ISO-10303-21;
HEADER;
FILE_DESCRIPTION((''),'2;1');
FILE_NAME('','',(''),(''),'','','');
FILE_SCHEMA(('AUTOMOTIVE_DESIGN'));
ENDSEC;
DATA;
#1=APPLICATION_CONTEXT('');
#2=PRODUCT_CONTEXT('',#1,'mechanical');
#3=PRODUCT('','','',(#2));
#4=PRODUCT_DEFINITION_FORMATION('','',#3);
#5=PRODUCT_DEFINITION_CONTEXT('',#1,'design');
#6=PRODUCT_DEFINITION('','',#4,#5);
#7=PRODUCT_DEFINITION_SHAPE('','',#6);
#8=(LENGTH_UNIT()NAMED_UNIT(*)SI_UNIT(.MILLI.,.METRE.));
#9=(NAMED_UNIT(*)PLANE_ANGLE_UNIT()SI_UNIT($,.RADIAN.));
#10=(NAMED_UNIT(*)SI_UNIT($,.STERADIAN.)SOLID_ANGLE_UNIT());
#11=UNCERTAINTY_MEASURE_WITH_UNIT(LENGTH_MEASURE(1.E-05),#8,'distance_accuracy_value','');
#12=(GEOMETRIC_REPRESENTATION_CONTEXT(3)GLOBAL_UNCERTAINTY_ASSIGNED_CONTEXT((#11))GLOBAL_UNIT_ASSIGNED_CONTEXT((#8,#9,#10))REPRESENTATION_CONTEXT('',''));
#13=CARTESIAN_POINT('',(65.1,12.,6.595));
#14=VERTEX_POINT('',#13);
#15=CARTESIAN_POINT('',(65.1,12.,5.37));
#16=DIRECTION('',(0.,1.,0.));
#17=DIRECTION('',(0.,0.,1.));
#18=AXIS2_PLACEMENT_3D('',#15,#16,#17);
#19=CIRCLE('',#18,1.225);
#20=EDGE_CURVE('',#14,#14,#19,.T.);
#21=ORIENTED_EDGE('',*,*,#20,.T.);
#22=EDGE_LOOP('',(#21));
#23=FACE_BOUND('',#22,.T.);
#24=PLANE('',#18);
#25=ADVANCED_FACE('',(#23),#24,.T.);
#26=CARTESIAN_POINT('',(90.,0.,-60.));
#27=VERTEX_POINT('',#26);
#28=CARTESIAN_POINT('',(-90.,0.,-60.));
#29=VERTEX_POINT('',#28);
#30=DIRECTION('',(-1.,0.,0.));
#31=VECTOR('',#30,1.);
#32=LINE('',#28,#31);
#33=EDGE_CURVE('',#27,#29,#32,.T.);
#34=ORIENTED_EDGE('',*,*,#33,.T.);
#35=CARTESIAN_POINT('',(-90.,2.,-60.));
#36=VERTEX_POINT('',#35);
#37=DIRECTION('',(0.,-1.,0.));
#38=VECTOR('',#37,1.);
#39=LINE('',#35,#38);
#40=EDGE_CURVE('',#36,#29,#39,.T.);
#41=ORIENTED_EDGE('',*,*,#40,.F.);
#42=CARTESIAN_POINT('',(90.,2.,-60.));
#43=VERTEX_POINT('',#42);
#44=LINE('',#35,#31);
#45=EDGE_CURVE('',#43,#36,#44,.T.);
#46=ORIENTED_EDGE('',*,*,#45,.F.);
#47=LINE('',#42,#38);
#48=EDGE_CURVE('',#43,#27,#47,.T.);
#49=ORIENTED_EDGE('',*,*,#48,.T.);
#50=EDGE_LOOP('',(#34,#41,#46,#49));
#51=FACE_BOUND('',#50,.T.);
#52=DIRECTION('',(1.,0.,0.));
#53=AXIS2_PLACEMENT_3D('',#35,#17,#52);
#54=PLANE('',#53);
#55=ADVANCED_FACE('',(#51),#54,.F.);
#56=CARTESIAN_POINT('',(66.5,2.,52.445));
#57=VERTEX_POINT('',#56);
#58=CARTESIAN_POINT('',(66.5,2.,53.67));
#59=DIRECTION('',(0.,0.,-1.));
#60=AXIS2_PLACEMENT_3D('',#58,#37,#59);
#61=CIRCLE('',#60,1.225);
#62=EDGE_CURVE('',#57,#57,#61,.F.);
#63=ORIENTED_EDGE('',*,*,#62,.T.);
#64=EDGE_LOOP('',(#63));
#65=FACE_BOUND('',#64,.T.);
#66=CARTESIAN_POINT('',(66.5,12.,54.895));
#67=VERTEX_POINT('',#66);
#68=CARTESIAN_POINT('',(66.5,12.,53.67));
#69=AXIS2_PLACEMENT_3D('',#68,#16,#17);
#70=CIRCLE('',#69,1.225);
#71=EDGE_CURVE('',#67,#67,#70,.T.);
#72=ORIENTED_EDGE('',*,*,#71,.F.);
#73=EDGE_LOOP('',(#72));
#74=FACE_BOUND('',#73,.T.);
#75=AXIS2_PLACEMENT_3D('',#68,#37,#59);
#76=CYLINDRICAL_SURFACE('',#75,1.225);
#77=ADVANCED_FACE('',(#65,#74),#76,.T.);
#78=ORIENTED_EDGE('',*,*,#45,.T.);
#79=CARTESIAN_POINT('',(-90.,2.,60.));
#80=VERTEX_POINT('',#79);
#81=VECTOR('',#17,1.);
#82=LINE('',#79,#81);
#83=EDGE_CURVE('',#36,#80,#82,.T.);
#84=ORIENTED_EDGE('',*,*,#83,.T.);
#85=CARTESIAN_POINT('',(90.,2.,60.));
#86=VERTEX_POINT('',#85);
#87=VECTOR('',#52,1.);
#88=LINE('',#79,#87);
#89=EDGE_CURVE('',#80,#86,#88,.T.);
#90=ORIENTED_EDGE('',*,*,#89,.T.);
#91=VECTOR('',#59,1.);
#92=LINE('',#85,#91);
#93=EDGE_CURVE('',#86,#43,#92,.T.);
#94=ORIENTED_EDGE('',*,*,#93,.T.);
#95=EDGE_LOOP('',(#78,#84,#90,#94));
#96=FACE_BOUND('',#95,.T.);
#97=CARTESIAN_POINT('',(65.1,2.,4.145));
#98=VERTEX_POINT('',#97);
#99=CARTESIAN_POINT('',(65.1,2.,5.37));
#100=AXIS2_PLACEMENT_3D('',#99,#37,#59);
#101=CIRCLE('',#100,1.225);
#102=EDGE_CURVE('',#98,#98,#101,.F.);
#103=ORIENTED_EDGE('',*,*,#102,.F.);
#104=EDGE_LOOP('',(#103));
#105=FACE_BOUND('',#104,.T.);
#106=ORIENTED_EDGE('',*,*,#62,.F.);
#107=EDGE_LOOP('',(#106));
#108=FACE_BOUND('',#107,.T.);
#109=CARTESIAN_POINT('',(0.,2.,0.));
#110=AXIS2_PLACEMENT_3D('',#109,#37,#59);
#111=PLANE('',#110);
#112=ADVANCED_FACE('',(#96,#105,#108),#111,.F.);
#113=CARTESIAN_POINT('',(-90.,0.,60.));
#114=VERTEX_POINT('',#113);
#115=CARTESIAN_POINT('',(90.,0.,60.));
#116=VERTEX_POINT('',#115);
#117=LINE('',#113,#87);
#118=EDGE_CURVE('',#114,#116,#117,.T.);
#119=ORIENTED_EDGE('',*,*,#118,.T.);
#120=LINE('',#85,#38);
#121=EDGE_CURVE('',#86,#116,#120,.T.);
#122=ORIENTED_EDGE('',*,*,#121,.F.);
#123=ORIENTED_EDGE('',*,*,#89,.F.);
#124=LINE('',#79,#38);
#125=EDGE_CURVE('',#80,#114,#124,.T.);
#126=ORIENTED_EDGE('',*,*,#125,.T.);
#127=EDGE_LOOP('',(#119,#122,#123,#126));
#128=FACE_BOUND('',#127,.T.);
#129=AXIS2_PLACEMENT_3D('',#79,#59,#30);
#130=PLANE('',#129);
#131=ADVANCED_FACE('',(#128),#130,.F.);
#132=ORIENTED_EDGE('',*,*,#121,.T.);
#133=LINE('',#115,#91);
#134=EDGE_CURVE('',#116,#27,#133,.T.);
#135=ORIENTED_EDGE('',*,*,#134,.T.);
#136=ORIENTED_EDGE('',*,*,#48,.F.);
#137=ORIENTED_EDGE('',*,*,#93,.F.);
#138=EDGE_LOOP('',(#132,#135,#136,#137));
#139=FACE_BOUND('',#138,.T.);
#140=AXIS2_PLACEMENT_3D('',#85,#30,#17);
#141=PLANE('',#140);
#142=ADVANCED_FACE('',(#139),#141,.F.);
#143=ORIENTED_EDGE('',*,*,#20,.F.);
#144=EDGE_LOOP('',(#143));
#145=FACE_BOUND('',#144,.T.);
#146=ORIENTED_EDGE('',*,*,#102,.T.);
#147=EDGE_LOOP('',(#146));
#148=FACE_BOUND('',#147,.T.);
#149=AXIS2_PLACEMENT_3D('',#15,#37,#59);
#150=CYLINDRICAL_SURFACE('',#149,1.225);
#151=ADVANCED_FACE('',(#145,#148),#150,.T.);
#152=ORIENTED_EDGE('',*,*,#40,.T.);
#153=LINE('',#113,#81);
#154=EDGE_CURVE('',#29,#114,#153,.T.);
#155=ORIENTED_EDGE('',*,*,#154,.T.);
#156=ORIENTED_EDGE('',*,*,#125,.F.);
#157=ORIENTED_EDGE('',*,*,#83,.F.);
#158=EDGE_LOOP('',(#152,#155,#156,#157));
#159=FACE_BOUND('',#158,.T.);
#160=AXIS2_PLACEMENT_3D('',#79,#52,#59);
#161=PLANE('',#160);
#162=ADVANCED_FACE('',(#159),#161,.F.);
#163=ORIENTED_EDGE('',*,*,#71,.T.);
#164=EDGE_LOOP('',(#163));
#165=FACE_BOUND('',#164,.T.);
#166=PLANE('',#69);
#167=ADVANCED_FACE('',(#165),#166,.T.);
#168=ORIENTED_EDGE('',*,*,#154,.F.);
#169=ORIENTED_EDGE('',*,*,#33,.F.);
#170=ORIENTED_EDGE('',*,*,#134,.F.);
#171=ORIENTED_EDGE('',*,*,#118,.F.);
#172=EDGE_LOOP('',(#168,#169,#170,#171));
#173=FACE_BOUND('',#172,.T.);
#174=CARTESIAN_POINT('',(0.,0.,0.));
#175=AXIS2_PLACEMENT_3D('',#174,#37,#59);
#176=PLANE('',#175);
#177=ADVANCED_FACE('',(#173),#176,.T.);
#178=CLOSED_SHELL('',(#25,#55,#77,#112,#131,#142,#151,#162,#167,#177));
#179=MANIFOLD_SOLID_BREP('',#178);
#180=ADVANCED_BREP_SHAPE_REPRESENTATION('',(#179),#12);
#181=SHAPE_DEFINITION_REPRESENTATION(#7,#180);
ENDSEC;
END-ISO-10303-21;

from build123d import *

# Parameters (mm, degrees)
IZIM2_W                     = 180
IZIM2_H                     = 120
Y_KSEKLIK_EKSTR_ZYON1_DEPTH = 2
IZIM3_R                     = 1.225
Y_KSEKLIK_EKSTR_ZYON2_DEPTH = 10


with BuildPart() as part:
    # Çizim2 → Yükseklik-Ekstrüzyon1 (new body)
    with BuildSketch(Plane(origin=(0, 0, 0), x_dir=(1, 0, 0), z_dir=(0, 1, 0))):
        Rectangle(IZIM2_W, IZIM2_H)
    extrude(amount=Y_KSEKLIK_EKSTR_ZYON1_DEPTH)

    # Çizim3 → Yükseklik-Ekstrüzyon2 (add)
    with BuildSketch(Plane(origin=(0, 2, 0), x_dir=(1, 0, 0), z_dir=(0, 1, 0))):
        with Locations(Location((66.5, -53.67, 0), (0, 0, 90))):
            Circle(IZIM3_R)
        with Locations(Location((65.1, -5.37, 0), (0, 0, 90))):
            Circle(IZIM3_R)
    extrude(amount=Y_KSEKLIK_EKSTR_ZYON2_DEPTH)


solid = part.part
